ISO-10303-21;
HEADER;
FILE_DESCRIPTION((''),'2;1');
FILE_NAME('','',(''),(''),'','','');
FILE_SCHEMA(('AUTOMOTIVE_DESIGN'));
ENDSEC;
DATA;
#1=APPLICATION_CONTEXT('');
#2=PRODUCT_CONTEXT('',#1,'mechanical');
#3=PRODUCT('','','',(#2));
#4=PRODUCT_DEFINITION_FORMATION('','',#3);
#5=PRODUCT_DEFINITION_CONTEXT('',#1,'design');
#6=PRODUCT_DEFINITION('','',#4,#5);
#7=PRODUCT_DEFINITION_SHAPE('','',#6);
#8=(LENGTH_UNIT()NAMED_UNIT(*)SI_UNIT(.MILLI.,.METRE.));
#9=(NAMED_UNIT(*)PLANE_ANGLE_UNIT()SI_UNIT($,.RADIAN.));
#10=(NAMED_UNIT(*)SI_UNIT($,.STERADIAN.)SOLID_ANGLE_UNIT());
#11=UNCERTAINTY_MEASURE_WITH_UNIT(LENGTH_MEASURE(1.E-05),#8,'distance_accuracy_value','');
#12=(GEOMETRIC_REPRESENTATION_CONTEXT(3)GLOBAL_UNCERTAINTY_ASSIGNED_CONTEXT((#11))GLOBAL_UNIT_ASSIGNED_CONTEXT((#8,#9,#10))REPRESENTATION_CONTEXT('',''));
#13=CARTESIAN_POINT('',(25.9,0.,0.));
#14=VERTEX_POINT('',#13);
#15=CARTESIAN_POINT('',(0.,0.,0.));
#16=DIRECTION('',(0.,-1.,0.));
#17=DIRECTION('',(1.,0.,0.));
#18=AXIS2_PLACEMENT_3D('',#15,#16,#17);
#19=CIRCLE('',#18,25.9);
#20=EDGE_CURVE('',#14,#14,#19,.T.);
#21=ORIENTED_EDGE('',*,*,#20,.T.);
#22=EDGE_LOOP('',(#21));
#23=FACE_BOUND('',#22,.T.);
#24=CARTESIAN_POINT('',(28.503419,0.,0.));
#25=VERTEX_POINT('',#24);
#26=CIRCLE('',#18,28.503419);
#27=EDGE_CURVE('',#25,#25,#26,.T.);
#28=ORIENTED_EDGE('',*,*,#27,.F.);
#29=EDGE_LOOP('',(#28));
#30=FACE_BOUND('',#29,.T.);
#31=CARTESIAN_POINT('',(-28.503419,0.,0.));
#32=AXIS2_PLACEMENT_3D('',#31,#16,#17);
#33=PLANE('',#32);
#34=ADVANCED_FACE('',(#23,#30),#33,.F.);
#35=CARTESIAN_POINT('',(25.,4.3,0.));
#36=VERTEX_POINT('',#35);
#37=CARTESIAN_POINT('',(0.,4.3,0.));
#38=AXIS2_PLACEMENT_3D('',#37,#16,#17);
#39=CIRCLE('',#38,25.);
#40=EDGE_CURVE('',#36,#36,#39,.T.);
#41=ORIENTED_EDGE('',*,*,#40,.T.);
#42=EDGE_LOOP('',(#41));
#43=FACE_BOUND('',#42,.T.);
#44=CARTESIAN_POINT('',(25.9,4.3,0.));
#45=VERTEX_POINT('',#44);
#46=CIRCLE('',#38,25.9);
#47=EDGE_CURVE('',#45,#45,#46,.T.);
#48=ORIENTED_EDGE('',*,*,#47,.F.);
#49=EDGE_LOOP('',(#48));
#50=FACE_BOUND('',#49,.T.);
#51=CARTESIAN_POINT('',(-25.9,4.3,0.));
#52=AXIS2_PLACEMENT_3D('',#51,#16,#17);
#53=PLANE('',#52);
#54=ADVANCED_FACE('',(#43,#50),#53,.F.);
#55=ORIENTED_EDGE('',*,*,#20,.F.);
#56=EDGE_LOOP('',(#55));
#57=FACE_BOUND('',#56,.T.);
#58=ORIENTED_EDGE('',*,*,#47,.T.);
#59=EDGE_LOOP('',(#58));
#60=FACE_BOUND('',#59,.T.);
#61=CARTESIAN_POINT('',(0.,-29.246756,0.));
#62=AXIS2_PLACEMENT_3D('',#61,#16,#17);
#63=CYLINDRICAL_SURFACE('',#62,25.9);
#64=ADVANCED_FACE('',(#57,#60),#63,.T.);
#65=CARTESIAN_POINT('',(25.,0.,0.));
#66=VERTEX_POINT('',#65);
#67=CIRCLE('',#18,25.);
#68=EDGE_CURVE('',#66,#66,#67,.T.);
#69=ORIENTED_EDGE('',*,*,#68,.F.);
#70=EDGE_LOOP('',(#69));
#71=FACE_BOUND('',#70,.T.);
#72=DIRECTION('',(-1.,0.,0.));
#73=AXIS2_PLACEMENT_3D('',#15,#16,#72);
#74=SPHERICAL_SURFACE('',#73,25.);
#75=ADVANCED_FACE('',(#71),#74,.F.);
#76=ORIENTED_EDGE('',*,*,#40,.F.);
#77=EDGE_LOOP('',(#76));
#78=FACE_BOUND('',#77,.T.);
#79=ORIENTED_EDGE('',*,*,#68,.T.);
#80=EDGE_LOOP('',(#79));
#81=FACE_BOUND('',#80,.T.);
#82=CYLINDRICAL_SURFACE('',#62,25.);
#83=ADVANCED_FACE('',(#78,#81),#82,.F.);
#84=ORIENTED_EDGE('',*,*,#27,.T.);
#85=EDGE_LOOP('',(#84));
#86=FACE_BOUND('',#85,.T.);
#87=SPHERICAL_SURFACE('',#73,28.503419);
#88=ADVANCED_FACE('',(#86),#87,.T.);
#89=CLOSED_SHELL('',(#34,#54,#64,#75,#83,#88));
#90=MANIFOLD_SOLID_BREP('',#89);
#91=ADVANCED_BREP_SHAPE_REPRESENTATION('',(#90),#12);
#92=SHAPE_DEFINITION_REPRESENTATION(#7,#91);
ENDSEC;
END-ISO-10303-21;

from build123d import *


with BuildPart() as part:
    # Sketch1 → Revolve2 (revolve)
    with BuildSketch(Plane.XY, mode=Mode.PRIVATE) as revolve2_sk:
        with BuildLine():
            Line((0, -25), (0, -28.503418665))
            ThreePointArc((0, -28.503418665), (-20.154960625, -20.154960625), (-28.503418665, 0))
            Line((-28.503418665, 0), (-25.9, 0))
            Line((-25.9, 0), (-25.9, 2))
            Line((-25.9, 2), (-25.9, 2.5))
            Line((-25.9, 2.5), (-25.9, 4.3))
            Line((-25.9, 4.3), (-25, 4.3))
            Line((-25, 4.3), (-25, 0))
            ThreePointArc((-25, 0), (-24.490431494, -5.021828876), (-22.982498779, -9.838940484))
            ThreePointArc((-22.982498779, -9.838940484), (-22.747404845, -10.37090029), (-22.5, -10.897247359))
            ThreePointArc((-22.5, -10.897247359), (-21.902104859, -12.053953822), (-21.244795494, -13.177961315))
            ThreePointArc((-21.244795494, -13.177961315), (-17.691022269, -17.664306696), (-13.210052688, -21.2248559))
            ThreePointArc((-13.210052688, -21.2248559), (-12.26215849, -21.786222003), (-11.29045343, -22.305283261))
            ThreePointArc((-11.29045343, -22.305283261), (-5.803788352, -24.316990783), (0, -25))
        make_face()
    revolve(revolve2_sk.sketch.rotate(Axis((0, -29.246756477, 0), (0, 1, 0)), 180), axis=Axis((0, -29.246756477, 0), (0, 1, 0)))


solid = part.part
